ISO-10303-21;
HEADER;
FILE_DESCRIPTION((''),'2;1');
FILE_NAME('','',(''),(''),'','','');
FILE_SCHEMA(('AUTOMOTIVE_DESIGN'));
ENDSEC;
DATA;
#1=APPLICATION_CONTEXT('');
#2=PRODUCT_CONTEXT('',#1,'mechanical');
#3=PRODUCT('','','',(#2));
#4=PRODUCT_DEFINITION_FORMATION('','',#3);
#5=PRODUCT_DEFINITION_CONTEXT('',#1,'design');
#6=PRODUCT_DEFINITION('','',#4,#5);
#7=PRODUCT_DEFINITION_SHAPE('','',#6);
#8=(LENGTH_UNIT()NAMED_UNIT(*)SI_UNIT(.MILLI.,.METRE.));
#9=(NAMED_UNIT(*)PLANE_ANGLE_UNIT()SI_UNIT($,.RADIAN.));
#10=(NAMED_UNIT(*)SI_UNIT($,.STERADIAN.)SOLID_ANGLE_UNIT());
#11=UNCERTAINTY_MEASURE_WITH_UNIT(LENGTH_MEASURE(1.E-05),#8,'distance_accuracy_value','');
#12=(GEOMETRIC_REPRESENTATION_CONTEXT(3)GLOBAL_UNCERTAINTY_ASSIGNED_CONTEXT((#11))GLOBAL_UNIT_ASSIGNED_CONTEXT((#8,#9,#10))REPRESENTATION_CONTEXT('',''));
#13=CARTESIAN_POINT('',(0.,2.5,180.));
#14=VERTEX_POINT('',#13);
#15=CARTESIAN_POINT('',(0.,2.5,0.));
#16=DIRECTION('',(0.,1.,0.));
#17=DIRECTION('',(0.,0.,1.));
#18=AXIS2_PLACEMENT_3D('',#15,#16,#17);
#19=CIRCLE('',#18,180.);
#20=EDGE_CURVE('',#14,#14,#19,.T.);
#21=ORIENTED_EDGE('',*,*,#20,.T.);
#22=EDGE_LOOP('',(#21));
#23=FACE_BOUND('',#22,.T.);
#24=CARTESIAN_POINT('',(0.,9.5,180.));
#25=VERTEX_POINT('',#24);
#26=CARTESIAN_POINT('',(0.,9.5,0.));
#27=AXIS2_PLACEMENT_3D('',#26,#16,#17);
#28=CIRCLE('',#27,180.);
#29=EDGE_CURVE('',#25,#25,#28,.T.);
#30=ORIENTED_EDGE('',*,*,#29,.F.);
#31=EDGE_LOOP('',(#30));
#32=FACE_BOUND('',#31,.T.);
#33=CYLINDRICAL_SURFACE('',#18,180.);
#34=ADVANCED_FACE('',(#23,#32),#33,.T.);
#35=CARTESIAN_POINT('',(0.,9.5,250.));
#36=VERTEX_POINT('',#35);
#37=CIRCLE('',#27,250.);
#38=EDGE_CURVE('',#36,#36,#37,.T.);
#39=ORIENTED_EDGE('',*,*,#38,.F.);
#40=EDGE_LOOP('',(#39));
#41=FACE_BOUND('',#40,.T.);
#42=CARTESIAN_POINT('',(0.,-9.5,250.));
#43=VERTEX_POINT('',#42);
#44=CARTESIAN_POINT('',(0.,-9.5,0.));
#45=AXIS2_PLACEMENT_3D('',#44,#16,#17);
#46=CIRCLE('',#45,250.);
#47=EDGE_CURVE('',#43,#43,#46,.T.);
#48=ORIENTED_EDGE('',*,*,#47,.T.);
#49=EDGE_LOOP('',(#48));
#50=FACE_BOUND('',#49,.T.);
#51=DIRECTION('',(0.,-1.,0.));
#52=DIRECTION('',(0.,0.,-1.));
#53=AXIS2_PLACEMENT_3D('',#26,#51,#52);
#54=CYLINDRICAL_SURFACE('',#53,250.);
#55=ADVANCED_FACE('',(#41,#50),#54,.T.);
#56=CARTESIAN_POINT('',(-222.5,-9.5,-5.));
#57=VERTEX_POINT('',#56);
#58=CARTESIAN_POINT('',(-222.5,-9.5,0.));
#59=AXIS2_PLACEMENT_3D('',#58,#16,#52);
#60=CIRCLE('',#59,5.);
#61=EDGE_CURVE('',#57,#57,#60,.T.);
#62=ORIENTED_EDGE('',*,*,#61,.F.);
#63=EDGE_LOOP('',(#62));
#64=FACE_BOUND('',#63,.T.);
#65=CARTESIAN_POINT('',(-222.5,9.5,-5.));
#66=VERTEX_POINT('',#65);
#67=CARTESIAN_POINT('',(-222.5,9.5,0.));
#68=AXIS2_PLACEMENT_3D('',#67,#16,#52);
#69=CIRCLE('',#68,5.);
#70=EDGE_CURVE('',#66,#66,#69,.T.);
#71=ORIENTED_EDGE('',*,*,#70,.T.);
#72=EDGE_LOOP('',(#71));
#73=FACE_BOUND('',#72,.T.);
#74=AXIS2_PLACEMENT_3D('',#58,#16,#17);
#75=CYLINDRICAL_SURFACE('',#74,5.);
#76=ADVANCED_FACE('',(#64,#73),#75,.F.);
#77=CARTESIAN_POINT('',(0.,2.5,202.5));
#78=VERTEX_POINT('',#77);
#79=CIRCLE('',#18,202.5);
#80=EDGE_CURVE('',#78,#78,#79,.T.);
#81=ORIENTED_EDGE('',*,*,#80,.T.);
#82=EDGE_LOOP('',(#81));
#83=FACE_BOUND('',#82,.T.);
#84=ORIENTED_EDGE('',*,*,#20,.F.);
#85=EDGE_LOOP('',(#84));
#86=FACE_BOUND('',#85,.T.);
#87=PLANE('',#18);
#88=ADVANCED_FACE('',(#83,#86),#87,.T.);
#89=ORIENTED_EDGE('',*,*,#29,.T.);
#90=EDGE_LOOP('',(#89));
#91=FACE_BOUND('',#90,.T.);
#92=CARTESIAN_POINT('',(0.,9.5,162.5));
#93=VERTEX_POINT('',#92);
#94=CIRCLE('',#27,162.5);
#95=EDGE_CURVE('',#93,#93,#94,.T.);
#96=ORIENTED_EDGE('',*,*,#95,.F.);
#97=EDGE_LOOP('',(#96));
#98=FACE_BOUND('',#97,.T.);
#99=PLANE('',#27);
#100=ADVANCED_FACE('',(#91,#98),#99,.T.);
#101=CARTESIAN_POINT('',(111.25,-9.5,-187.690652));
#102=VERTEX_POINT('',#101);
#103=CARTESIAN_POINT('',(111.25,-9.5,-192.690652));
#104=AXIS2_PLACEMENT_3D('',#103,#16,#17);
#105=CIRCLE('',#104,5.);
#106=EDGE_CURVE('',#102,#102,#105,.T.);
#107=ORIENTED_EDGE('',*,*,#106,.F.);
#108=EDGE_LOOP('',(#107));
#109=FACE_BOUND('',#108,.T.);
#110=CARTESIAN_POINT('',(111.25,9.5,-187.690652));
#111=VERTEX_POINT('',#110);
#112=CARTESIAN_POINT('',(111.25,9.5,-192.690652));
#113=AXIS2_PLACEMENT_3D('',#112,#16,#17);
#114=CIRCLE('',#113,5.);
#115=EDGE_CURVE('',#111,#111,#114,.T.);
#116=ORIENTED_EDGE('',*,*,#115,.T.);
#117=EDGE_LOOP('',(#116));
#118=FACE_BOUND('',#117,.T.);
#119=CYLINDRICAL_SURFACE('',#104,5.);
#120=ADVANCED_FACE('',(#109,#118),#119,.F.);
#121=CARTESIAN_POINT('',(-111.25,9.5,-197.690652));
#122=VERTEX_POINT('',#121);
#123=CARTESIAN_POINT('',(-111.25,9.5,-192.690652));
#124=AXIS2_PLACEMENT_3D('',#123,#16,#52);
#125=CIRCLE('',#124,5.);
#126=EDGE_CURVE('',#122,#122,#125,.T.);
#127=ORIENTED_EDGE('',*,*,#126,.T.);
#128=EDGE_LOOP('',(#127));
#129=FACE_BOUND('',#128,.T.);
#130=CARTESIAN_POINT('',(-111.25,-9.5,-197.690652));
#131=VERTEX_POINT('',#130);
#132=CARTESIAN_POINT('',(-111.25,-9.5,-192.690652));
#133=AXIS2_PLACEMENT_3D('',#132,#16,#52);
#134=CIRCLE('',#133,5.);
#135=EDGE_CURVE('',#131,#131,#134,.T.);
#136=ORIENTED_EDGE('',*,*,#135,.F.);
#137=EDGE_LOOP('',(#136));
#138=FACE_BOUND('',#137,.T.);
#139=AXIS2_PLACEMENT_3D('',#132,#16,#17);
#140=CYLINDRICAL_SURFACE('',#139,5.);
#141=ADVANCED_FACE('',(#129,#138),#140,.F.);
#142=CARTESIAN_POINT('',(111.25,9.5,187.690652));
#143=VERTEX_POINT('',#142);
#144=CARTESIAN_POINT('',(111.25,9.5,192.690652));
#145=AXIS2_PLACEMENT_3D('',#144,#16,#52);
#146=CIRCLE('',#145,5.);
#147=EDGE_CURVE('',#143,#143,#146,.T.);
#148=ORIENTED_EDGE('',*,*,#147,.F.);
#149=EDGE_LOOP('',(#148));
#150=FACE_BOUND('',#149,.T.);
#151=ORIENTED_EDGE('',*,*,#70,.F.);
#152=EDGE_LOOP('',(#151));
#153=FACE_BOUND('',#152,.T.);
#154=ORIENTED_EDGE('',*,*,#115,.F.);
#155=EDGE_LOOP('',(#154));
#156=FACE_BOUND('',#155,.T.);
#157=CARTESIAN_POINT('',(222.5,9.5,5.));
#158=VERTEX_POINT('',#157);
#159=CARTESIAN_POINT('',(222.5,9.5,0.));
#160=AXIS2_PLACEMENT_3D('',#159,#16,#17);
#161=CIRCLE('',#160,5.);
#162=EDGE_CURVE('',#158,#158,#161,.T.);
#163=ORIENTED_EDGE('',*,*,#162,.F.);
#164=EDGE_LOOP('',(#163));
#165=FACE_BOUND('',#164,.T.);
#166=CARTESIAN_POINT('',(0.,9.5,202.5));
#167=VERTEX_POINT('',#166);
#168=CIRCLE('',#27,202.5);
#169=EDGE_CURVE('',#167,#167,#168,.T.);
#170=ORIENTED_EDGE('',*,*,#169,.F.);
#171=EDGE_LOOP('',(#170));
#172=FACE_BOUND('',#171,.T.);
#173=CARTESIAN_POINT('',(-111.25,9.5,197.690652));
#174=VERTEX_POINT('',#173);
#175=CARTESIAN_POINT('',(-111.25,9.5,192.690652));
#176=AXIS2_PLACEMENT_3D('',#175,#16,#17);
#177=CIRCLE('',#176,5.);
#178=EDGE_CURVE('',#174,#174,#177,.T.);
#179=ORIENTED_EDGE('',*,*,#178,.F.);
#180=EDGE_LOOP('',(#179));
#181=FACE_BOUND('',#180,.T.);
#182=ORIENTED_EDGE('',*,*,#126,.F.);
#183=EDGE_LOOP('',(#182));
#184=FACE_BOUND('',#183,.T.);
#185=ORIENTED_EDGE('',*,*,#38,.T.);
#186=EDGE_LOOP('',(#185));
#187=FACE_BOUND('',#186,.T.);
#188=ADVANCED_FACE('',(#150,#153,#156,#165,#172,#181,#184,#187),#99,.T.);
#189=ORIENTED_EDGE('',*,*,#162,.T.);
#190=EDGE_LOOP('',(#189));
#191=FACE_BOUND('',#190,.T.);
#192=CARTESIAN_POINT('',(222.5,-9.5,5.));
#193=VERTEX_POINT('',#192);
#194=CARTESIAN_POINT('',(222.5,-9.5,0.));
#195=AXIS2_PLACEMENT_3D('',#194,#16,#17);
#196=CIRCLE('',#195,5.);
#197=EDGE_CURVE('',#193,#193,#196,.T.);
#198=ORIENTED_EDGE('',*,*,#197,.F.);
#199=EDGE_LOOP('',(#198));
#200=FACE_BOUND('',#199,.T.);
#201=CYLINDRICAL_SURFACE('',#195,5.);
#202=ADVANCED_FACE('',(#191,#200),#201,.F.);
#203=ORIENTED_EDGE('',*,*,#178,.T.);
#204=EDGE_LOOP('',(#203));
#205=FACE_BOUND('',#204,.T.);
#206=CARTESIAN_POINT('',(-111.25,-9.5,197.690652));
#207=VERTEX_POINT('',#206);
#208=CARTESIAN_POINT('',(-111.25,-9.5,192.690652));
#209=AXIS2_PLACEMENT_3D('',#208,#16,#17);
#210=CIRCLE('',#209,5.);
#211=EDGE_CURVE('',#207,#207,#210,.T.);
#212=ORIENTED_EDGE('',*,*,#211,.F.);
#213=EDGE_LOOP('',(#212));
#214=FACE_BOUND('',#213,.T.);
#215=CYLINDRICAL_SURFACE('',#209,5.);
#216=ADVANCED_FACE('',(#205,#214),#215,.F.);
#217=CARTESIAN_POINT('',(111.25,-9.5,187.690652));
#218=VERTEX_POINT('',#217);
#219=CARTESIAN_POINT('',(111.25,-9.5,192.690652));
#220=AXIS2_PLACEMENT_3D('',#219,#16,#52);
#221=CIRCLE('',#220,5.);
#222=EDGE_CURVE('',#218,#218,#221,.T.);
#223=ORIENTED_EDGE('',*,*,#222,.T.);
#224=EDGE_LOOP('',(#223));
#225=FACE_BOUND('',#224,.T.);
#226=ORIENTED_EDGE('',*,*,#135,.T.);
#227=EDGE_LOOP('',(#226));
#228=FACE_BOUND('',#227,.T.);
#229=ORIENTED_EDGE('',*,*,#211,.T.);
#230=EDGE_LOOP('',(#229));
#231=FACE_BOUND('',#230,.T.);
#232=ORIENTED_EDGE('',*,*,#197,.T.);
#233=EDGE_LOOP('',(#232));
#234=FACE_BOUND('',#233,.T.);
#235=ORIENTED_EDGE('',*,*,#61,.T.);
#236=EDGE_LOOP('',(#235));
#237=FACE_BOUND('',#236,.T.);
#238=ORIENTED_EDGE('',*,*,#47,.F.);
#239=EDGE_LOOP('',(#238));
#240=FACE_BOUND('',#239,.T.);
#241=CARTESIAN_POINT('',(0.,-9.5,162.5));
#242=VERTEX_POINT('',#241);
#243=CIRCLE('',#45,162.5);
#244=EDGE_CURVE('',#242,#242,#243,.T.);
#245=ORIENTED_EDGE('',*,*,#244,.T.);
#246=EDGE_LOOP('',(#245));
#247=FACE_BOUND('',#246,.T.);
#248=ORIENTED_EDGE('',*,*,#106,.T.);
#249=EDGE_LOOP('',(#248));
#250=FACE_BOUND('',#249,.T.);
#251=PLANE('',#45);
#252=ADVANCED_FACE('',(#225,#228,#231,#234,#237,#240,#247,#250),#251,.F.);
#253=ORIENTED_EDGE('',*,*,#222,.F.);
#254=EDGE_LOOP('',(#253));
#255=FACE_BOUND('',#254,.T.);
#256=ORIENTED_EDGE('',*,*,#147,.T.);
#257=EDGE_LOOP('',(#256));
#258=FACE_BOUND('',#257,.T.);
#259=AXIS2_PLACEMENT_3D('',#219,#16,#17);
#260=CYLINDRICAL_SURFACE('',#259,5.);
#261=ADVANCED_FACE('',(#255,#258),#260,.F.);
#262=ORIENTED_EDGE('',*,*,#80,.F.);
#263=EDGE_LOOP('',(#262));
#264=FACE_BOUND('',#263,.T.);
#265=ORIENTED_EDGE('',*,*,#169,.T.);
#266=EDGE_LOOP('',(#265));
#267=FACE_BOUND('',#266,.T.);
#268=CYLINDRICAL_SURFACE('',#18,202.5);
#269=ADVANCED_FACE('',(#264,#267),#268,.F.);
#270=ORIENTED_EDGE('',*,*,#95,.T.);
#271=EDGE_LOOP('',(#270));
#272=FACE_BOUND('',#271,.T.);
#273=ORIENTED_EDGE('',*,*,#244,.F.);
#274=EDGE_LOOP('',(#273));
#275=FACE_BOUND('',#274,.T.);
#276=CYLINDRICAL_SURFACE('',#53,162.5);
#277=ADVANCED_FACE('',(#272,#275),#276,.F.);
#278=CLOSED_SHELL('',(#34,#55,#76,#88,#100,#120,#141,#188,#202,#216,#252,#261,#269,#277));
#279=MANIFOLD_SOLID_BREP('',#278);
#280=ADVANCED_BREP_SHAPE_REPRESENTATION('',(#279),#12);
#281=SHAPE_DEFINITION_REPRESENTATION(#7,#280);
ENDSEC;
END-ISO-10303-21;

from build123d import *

# Parameters (mm, degrees)
SKETCH1_R           = 250
SKETCH1_R_2         = 162.5
BOSS_EXTRUDE1_DEPTH = 9.5
SKETCH2_R           = 202.5
SKETCH2_R_2         = 180
CUT_EXTRUDE1_DEPTH  = 7
SKETCH3_R           = 5
CUT_EXTRUDE2_DEPTH  = 355.063553617


with BuildPart() as part:
    # Sketch1 → Boss-Extrude1 (new, symmetric)
    with BuildSketch(Plane(origin=(0, 0, 0), x_dir=(1, 0, 0), z_dir=(0, 1, 0))):
        with Locations(Location((0, 0, 0), (0, 0, 270))):
            Circle(SKETCH1_R)
        with Locations(Location((0, 0, 0), (0, 0, 270))):
            Circle(SKETCH1_R_2, mode=Mode.SUBTRACT)
    extrude(amount=BOSS_EXTRUDE1_DEPTH, both=True)

    # Sketch2 → Cut-Extrude1 (cut)
    with BuildSketch(Plane(origin=(0, 9.5, 0), x_dir=(1, 0, 0), z_dir=(0, 1, 0))):
        with Locations(Location((0, 0, 0), (0, 0, 270))):
            Circle(SKETCH2_R)
        with Locations(Location((0, 0, 0), (0, 0, 270))):
            Circle(SKETCH2_R_2, mode=Mode.SUBTRACT)
    extrude(amount=-CUT_EXTRUDE1_DEPTH, mode=Mode.SUBTRACT)

    # Sketch3 → Cut-Extrude2 (cut, through all)
    with BuildSketch(Plane(origin=(0, 9.5, 0), x_dir=(1, 0, 0), z_dir=(0, 1, 0))):
        with Locations(Location((111.25, 192.690652342, 0), (0, 0, 270))):
            Circle(SKETCH3_R)
        with Locations(Location((222.5, 0, 0), (0, 0, 270))):
            Circle(SKETCH3_R)
        with Locations(Location((-222.5, 0, 0), (0, 0, 90))):
            Circle(SKETCH3_R)
        with Locations(Location((-111.25, 192.690652342, 0), (0, 0, 90))):
            Circle(SKETCH3_R)
        with Locations(Location((111.25, -192.690652342, 0), (0, 0, 90))):
            Circle(SKETCH3_R)
        with Locations(Location((-111.25, -192.690652342, 0), (0, 0, 270))):
            Circle(SKETCH3_R)
    extrude(amount=-CUT_EXTRUDE2_DEPTH, mode=Mode.SUBTRACT)


solid = part.part
